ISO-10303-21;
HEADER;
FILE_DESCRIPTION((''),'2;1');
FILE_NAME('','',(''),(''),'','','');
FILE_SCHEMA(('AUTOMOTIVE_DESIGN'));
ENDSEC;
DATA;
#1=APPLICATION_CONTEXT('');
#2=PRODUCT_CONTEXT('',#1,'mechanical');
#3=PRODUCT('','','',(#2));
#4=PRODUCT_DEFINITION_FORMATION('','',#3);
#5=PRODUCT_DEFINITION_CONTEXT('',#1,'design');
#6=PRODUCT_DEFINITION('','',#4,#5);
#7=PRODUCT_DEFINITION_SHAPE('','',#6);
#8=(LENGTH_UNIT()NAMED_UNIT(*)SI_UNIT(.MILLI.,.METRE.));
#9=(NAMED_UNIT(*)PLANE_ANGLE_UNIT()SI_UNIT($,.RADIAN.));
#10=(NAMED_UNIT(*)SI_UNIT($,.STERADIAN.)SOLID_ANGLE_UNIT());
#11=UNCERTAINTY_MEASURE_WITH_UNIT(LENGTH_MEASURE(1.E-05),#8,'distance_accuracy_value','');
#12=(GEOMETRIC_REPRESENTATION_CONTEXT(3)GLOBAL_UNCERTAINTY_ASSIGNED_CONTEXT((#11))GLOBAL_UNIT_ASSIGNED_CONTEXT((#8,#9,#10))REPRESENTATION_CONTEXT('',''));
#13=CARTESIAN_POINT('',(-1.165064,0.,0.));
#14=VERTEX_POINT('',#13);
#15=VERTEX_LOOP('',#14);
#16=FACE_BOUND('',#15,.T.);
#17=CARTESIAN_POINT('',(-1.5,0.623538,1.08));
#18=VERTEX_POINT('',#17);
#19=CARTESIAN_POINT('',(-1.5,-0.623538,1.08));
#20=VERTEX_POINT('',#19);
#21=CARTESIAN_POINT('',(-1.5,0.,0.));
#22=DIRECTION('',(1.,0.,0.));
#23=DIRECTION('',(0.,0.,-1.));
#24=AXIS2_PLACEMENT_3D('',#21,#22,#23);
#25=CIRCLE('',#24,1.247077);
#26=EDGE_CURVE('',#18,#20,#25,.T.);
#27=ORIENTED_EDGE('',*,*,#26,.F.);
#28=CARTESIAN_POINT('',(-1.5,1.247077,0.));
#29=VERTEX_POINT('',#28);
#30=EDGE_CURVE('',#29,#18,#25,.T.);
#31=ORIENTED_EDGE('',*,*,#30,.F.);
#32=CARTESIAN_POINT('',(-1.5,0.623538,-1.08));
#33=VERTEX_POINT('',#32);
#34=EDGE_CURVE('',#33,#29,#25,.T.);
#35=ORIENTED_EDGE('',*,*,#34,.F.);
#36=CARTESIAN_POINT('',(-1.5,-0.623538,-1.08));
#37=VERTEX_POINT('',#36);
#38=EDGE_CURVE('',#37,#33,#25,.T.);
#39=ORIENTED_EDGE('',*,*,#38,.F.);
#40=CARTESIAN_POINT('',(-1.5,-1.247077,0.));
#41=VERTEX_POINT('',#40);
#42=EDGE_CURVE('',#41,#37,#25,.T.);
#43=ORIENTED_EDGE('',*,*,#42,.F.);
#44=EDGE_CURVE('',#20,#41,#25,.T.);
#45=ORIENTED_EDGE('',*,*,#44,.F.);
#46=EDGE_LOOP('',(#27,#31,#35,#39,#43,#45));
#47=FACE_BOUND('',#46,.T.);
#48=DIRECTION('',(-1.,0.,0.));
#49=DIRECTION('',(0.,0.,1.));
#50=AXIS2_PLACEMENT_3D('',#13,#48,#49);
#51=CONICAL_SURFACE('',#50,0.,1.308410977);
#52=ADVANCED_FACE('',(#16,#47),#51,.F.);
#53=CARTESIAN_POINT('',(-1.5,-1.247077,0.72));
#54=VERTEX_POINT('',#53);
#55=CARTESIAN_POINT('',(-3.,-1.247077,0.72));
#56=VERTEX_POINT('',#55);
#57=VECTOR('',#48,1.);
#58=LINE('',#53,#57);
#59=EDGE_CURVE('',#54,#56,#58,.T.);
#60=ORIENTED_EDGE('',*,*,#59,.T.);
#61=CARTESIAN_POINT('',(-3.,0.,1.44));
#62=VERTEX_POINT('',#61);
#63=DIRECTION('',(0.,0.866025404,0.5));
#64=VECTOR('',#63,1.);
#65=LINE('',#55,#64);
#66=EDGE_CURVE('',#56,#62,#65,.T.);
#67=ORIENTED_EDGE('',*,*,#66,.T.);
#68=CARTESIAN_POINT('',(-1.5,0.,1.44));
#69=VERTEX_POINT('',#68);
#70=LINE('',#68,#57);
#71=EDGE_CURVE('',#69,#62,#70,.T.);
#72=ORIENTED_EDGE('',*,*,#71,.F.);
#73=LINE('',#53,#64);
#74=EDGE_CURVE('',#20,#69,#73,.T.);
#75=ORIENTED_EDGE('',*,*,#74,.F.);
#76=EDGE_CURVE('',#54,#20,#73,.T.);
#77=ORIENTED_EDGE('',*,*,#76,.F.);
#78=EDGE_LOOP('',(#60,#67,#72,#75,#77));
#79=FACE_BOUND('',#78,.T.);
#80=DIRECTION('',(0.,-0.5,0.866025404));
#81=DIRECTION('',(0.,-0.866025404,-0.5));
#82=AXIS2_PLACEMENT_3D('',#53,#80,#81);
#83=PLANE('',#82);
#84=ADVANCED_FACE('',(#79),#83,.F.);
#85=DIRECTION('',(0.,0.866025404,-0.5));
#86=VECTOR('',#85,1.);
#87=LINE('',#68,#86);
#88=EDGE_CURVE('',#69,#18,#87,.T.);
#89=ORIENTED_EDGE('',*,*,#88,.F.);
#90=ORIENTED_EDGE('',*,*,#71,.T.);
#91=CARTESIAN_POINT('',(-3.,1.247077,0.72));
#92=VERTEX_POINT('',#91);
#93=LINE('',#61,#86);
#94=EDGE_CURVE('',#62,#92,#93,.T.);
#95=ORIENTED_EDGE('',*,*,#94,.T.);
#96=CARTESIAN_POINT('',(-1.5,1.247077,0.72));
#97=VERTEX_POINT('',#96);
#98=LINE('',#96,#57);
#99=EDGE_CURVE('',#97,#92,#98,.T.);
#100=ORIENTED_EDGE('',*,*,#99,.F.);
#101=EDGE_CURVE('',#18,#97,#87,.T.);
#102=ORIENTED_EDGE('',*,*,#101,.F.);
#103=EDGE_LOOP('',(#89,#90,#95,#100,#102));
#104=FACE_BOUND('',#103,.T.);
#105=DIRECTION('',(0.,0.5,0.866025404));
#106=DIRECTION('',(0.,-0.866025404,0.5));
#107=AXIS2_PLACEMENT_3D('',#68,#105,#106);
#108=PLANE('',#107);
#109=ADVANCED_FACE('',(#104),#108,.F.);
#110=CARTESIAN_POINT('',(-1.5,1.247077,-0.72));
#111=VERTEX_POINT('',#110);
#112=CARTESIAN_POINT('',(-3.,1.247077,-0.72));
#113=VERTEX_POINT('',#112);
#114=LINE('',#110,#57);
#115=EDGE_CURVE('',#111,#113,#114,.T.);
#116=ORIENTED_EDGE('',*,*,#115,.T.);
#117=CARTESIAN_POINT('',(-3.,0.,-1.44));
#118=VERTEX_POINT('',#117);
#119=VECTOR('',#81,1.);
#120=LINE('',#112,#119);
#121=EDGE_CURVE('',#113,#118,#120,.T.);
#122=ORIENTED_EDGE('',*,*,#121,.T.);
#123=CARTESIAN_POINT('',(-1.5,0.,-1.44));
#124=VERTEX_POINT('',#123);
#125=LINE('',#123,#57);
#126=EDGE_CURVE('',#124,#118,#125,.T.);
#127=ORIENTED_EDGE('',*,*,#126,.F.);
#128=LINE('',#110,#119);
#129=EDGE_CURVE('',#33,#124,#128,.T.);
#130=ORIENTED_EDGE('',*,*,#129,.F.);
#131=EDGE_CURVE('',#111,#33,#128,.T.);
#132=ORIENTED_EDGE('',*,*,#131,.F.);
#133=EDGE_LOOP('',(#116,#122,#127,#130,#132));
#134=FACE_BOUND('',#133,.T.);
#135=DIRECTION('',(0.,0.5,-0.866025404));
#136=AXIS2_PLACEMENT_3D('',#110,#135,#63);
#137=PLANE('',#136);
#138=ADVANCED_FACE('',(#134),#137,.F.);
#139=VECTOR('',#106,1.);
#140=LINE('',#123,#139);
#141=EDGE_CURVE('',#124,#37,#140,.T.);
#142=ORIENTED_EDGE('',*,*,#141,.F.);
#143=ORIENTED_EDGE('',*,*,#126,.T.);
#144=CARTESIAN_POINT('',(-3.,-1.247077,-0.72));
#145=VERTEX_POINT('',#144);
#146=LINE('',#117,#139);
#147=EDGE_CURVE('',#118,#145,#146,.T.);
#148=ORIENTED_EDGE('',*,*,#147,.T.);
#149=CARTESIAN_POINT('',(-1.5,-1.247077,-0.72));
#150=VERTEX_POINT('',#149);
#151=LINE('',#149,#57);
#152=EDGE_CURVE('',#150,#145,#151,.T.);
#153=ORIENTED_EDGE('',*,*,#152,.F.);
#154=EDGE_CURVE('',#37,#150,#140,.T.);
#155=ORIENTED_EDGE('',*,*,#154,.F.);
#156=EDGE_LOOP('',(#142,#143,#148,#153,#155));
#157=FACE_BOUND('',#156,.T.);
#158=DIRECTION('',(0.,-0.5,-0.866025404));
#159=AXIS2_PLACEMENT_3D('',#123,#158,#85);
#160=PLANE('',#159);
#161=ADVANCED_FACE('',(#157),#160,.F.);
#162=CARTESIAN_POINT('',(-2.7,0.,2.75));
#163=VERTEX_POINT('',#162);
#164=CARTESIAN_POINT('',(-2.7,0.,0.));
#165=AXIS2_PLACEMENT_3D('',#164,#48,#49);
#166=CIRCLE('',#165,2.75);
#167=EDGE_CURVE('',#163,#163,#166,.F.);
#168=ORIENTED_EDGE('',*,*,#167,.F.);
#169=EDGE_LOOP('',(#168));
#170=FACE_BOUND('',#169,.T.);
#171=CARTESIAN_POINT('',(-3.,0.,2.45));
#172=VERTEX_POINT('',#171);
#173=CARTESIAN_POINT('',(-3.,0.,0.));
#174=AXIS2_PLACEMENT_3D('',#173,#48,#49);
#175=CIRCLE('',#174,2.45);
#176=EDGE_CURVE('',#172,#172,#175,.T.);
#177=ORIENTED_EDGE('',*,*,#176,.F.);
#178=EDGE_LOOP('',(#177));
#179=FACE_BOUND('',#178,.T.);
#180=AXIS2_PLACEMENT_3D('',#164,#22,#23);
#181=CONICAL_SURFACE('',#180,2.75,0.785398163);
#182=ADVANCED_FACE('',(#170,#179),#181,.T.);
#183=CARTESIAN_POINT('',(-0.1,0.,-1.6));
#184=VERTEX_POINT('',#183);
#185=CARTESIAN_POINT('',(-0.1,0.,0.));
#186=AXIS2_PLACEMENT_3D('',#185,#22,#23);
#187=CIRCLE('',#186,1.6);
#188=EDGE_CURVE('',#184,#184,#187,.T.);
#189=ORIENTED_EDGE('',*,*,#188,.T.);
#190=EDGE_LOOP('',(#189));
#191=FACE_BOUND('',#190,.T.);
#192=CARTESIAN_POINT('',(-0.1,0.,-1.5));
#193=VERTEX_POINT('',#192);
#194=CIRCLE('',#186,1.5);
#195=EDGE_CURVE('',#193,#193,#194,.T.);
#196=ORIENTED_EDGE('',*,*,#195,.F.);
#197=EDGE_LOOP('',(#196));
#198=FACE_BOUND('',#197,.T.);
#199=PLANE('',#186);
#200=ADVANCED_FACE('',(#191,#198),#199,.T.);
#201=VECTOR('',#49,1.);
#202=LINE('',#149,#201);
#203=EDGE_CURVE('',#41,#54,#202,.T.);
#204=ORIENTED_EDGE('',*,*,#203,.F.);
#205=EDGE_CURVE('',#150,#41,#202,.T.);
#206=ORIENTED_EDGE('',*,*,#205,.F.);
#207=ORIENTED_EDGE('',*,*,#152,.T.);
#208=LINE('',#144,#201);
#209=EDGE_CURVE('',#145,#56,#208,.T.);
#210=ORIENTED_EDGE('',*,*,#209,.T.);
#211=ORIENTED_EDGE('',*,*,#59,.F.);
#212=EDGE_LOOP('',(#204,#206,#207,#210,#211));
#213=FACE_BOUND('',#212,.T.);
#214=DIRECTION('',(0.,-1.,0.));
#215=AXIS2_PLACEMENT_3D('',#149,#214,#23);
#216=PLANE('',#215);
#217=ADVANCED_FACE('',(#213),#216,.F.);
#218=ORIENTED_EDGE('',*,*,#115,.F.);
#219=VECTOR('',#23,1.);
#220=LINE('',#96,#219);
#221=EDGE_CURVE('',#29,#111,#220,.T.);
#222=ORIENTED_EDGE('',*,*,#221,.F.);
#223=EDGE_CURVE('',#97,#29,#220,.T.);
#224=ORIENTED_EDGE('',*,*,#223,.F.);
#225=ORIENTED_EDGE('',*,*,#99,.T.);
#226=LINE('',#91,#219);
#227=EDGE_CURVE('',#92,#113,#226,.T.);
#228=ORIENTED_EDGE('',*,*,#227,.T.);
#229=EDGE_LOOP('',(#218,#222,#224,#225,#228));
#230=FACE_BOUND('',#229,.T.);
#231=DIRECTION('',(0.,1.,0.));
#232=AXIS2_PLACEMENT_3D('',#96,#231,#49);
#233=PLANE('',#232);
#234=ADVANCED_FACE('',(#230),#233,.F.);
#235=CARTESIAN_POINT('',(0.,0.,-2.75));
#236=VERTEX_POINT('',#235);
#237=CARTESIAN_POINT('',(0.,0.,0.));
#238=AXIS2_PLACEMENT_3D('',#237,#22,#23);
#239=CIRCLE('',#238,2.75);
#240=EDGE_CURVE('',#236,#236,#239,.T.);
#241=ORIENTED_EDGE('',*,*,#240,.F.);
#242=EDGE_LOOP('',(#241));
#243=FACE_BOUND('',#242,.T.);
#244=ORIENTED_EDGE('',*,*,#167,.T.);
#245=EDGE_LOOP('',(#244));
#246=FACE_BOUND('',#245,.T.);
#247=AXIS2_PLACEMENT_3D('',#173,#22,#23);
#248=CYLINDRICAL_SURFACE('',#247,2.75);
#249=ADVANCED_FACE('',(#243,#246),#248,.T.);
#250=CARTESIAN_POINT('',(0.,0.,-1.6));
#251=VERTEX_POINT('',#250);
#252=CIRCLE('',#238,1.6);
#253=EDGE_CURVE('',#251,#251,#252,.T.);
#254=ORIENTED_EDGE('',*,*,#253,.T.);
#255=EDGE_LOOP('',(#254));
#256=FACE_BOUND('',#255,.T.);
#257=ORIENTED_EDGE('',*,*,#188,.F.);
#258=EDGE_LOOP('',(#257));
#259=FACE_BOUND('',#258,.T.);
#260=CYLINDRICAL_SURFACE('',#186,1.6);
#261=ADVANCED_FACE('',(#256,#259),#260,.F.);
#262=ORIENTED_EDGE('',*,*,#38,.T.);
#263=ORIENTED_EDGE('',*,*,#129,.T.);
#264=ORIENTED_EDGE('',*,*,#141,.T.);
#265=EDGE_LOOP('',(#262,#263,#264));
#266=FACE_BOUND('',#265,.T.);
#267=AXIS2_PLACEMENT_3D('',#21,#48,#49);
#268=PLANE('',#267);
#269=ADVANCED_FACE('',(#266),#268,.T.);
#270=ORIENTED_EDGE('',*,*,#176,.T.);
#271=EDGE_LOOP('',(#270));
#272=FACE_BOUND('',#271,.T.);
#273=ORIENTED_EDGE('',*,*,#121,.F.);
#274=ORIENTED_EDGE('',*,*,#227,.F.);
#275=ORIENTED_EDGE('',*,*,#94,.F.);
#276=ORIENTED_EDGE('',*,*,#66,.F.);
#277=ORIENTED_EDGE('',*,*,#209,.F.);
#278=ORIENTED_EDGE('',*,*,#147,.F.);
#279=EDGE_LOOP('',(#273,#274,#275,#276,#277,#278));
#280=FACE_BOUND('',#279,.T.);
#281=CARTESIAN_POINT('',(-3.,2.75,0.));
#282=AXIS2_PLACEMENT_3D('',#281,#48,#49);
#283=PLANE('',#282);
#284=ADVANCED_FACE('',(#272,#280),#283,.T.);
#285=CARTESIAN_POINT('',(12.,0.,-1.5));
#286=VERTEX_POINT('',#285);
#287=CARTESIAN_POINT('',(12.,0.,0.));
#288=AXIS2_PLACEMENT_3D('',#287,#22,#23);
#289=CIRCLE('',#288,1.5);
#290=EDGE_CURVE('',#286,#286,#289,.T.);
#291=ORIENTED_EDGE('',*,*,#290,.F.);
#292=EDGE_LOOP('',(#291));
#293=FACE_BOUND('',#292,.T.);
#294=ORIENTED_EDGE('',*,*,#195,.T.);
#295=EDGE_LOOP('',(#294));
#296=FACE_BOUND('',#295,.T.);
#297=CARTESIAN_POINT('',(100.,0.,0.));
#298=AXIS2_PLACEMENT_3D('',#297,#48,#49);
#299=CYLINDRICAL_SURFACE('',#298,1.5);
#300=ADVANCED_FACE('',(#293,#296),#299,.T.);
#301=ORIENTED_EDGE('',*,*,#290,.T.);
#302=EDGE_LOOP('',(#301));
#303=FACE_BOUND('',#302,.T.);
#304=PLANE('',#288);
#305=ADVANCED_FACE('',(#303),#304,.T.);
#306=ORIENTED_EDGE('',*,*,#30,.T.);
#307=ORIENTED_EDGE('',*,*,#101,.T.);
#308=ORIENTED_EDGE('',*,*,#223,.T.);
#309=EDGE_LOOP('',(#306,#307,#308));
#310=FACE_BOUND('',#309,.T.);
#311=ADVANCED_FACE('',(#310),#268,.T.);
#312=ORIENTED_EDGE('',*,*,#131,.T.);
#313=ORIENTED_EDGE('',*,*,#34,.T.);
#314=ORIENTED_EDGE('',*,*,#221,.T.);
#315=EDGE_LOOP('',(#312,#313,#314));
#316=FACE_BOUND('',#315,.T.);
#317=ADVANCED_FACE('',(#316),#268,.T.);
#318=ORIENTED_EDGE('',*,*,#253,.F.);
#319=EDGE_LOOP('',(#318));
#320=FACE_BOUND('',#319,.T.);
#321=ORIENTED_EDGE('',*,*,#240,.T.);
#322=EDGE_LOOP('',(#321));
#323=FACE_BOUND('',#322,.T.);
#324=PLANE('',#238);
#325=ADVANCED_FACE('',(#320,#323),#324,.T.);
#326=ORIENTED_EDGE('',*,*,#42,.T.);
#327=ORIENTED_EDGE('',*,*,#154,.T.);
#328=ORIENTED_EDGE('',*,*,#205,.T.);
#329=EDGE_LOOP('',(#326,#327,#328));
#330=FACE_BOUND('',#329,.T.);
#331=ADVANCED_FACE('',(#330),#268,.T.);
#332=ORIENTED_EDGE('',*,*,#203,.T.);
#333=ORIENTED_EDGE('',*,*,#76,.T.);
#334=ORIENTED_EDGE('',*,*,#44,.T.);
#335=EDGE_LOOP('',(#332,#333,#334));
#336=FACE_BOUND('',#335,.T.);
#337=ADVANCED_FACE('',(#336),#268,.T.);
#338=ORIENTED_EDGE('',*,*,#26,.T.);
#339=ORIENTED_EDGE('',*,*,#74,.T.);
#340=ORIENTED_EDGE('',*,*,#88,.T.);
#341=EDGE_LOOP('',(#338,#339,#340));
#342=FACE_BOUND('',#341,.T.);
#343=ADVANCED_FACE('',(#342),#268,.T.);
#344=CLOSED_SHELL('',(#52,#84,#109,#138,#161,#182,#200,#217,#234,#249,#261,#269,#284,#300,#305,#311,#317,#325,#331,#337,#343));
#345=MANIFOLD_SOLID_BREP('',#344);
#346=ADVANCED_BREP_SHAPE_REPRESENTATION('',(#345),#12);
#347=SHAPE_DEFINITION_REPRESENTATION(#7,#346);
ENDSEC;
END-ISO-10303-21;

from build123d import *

# Parameters (mm, degrees)
SKETCH_1_W          = 3
SKETCH_1_H          = 2.75
SKETCH_2_R          = 1.5
EXTRUDE_1_DEPTH     = 100
CUT_EXTRUDE_1_DEPTH = 1.5
CHAMFER_1_SIZE      = 0.3
CUT_EXTRUDE_START   = -0.1
SKETCH_5_R          = 1.6
SKETCH_5_R_2        = 1.5
CUT_EXTRUDE_2_DEPTH = 0.1


with BuildPart() as part:
    # ｽｹｯﾁ1 → 回転1 (revolve)
    with BuildSketch(Plane.XY, mode=Mode.PRIVATE) as revolve_1_sk:
        with Locations((-1.5, 1.375)):
            Rectangle(SKETCH_1_W, SKETCH_1_H)
    revolve(revolve_1_sk.sketch.rotate(Axis((-3, 0, 0), (1, 0, 0)), 270), axis=Axis((-3, 0, 0), (1, 0, 0)))

    # ｽｹｯﾁ2 → ﾎﾞｽ - 押し出し1 (add)
    with BuildSketch(Plane(origin=(0, 0, 0), x_dir=(0, 0, -1), z_dir=(1, 0, 0))):
        Circle(SKETCH_2_R)
    extrude(amount=EXTRUDE_1_DEPTH)

    # ｽｹｯﾁ3 → ｶｯﾄ - 押し出し1 (cut)
    with BuildSketch(Plane.ZY.offset(3)):
        Polygon((-0.72, -1.247076581), (0.72, -1.247076581), (1.44, 0), (0.72, 1.247076581), (-0.72, 1.247076581), (-1.44, 0), align=None)
    extrude(amount=-CUT_EXTRUDE_1_DEPTH, mode=Mode.SUBTRACT)

    # ｽｹｯﾁ4 → ｶｯﾄ - 回転1 (revolve, cut)
    with BuildSketch(Plane.XY, mode=Mode.PRIVATE) as cut_revolve_1_sk:
        Polygon((-1.5, 1.247076581), (-1.5, 0), (-1.165063509, 0), align=None)
    revolve(cut_revolve_1_sk.sketch.rotate(Axis((-1.500025, 0, 0), (1, 0, 0)), 90), axis=Axis((-1.500025, 0, 0), (1, 0, 0)), mode=Mode.SUBTRACT)

    # 面取り1
    chamfer_1_edges = [part.edges().sort_by_distance(p)[0] for p in [
        (100, 0, 1.5),
        (-3, 0, 2.75),
    ]]
    chamfer(chamfer_1_edges, length=CHAMFER_1_SIZE)

    # ｽｹｯﾁ5 → ｶｯﾄ - 押し出し2 (cut)
    with BuildSketch(Plane(origin=(0, 0, 0), x_dir=(0, 0, -1), z_dir=(1, 0, 0)).offset(CUT_EXTRUDE_START)):
        Circle(SKETCH_5_R)
        Circle(SKETCH_5_R_2, mode=Mode.SUBTRACT)
    extrude(amount=CUT_EXTRUDE_2_DEPTH, mode=Mode.SUBTRACT)

    # Surface Cut 14
    split(bisect_by=Plane(origin=(12, 0, 0), x_dir=(0, 0, -1), z_dir=(1, 0, 0)), keep=Keep.BOTTOM)


solid = part.part
